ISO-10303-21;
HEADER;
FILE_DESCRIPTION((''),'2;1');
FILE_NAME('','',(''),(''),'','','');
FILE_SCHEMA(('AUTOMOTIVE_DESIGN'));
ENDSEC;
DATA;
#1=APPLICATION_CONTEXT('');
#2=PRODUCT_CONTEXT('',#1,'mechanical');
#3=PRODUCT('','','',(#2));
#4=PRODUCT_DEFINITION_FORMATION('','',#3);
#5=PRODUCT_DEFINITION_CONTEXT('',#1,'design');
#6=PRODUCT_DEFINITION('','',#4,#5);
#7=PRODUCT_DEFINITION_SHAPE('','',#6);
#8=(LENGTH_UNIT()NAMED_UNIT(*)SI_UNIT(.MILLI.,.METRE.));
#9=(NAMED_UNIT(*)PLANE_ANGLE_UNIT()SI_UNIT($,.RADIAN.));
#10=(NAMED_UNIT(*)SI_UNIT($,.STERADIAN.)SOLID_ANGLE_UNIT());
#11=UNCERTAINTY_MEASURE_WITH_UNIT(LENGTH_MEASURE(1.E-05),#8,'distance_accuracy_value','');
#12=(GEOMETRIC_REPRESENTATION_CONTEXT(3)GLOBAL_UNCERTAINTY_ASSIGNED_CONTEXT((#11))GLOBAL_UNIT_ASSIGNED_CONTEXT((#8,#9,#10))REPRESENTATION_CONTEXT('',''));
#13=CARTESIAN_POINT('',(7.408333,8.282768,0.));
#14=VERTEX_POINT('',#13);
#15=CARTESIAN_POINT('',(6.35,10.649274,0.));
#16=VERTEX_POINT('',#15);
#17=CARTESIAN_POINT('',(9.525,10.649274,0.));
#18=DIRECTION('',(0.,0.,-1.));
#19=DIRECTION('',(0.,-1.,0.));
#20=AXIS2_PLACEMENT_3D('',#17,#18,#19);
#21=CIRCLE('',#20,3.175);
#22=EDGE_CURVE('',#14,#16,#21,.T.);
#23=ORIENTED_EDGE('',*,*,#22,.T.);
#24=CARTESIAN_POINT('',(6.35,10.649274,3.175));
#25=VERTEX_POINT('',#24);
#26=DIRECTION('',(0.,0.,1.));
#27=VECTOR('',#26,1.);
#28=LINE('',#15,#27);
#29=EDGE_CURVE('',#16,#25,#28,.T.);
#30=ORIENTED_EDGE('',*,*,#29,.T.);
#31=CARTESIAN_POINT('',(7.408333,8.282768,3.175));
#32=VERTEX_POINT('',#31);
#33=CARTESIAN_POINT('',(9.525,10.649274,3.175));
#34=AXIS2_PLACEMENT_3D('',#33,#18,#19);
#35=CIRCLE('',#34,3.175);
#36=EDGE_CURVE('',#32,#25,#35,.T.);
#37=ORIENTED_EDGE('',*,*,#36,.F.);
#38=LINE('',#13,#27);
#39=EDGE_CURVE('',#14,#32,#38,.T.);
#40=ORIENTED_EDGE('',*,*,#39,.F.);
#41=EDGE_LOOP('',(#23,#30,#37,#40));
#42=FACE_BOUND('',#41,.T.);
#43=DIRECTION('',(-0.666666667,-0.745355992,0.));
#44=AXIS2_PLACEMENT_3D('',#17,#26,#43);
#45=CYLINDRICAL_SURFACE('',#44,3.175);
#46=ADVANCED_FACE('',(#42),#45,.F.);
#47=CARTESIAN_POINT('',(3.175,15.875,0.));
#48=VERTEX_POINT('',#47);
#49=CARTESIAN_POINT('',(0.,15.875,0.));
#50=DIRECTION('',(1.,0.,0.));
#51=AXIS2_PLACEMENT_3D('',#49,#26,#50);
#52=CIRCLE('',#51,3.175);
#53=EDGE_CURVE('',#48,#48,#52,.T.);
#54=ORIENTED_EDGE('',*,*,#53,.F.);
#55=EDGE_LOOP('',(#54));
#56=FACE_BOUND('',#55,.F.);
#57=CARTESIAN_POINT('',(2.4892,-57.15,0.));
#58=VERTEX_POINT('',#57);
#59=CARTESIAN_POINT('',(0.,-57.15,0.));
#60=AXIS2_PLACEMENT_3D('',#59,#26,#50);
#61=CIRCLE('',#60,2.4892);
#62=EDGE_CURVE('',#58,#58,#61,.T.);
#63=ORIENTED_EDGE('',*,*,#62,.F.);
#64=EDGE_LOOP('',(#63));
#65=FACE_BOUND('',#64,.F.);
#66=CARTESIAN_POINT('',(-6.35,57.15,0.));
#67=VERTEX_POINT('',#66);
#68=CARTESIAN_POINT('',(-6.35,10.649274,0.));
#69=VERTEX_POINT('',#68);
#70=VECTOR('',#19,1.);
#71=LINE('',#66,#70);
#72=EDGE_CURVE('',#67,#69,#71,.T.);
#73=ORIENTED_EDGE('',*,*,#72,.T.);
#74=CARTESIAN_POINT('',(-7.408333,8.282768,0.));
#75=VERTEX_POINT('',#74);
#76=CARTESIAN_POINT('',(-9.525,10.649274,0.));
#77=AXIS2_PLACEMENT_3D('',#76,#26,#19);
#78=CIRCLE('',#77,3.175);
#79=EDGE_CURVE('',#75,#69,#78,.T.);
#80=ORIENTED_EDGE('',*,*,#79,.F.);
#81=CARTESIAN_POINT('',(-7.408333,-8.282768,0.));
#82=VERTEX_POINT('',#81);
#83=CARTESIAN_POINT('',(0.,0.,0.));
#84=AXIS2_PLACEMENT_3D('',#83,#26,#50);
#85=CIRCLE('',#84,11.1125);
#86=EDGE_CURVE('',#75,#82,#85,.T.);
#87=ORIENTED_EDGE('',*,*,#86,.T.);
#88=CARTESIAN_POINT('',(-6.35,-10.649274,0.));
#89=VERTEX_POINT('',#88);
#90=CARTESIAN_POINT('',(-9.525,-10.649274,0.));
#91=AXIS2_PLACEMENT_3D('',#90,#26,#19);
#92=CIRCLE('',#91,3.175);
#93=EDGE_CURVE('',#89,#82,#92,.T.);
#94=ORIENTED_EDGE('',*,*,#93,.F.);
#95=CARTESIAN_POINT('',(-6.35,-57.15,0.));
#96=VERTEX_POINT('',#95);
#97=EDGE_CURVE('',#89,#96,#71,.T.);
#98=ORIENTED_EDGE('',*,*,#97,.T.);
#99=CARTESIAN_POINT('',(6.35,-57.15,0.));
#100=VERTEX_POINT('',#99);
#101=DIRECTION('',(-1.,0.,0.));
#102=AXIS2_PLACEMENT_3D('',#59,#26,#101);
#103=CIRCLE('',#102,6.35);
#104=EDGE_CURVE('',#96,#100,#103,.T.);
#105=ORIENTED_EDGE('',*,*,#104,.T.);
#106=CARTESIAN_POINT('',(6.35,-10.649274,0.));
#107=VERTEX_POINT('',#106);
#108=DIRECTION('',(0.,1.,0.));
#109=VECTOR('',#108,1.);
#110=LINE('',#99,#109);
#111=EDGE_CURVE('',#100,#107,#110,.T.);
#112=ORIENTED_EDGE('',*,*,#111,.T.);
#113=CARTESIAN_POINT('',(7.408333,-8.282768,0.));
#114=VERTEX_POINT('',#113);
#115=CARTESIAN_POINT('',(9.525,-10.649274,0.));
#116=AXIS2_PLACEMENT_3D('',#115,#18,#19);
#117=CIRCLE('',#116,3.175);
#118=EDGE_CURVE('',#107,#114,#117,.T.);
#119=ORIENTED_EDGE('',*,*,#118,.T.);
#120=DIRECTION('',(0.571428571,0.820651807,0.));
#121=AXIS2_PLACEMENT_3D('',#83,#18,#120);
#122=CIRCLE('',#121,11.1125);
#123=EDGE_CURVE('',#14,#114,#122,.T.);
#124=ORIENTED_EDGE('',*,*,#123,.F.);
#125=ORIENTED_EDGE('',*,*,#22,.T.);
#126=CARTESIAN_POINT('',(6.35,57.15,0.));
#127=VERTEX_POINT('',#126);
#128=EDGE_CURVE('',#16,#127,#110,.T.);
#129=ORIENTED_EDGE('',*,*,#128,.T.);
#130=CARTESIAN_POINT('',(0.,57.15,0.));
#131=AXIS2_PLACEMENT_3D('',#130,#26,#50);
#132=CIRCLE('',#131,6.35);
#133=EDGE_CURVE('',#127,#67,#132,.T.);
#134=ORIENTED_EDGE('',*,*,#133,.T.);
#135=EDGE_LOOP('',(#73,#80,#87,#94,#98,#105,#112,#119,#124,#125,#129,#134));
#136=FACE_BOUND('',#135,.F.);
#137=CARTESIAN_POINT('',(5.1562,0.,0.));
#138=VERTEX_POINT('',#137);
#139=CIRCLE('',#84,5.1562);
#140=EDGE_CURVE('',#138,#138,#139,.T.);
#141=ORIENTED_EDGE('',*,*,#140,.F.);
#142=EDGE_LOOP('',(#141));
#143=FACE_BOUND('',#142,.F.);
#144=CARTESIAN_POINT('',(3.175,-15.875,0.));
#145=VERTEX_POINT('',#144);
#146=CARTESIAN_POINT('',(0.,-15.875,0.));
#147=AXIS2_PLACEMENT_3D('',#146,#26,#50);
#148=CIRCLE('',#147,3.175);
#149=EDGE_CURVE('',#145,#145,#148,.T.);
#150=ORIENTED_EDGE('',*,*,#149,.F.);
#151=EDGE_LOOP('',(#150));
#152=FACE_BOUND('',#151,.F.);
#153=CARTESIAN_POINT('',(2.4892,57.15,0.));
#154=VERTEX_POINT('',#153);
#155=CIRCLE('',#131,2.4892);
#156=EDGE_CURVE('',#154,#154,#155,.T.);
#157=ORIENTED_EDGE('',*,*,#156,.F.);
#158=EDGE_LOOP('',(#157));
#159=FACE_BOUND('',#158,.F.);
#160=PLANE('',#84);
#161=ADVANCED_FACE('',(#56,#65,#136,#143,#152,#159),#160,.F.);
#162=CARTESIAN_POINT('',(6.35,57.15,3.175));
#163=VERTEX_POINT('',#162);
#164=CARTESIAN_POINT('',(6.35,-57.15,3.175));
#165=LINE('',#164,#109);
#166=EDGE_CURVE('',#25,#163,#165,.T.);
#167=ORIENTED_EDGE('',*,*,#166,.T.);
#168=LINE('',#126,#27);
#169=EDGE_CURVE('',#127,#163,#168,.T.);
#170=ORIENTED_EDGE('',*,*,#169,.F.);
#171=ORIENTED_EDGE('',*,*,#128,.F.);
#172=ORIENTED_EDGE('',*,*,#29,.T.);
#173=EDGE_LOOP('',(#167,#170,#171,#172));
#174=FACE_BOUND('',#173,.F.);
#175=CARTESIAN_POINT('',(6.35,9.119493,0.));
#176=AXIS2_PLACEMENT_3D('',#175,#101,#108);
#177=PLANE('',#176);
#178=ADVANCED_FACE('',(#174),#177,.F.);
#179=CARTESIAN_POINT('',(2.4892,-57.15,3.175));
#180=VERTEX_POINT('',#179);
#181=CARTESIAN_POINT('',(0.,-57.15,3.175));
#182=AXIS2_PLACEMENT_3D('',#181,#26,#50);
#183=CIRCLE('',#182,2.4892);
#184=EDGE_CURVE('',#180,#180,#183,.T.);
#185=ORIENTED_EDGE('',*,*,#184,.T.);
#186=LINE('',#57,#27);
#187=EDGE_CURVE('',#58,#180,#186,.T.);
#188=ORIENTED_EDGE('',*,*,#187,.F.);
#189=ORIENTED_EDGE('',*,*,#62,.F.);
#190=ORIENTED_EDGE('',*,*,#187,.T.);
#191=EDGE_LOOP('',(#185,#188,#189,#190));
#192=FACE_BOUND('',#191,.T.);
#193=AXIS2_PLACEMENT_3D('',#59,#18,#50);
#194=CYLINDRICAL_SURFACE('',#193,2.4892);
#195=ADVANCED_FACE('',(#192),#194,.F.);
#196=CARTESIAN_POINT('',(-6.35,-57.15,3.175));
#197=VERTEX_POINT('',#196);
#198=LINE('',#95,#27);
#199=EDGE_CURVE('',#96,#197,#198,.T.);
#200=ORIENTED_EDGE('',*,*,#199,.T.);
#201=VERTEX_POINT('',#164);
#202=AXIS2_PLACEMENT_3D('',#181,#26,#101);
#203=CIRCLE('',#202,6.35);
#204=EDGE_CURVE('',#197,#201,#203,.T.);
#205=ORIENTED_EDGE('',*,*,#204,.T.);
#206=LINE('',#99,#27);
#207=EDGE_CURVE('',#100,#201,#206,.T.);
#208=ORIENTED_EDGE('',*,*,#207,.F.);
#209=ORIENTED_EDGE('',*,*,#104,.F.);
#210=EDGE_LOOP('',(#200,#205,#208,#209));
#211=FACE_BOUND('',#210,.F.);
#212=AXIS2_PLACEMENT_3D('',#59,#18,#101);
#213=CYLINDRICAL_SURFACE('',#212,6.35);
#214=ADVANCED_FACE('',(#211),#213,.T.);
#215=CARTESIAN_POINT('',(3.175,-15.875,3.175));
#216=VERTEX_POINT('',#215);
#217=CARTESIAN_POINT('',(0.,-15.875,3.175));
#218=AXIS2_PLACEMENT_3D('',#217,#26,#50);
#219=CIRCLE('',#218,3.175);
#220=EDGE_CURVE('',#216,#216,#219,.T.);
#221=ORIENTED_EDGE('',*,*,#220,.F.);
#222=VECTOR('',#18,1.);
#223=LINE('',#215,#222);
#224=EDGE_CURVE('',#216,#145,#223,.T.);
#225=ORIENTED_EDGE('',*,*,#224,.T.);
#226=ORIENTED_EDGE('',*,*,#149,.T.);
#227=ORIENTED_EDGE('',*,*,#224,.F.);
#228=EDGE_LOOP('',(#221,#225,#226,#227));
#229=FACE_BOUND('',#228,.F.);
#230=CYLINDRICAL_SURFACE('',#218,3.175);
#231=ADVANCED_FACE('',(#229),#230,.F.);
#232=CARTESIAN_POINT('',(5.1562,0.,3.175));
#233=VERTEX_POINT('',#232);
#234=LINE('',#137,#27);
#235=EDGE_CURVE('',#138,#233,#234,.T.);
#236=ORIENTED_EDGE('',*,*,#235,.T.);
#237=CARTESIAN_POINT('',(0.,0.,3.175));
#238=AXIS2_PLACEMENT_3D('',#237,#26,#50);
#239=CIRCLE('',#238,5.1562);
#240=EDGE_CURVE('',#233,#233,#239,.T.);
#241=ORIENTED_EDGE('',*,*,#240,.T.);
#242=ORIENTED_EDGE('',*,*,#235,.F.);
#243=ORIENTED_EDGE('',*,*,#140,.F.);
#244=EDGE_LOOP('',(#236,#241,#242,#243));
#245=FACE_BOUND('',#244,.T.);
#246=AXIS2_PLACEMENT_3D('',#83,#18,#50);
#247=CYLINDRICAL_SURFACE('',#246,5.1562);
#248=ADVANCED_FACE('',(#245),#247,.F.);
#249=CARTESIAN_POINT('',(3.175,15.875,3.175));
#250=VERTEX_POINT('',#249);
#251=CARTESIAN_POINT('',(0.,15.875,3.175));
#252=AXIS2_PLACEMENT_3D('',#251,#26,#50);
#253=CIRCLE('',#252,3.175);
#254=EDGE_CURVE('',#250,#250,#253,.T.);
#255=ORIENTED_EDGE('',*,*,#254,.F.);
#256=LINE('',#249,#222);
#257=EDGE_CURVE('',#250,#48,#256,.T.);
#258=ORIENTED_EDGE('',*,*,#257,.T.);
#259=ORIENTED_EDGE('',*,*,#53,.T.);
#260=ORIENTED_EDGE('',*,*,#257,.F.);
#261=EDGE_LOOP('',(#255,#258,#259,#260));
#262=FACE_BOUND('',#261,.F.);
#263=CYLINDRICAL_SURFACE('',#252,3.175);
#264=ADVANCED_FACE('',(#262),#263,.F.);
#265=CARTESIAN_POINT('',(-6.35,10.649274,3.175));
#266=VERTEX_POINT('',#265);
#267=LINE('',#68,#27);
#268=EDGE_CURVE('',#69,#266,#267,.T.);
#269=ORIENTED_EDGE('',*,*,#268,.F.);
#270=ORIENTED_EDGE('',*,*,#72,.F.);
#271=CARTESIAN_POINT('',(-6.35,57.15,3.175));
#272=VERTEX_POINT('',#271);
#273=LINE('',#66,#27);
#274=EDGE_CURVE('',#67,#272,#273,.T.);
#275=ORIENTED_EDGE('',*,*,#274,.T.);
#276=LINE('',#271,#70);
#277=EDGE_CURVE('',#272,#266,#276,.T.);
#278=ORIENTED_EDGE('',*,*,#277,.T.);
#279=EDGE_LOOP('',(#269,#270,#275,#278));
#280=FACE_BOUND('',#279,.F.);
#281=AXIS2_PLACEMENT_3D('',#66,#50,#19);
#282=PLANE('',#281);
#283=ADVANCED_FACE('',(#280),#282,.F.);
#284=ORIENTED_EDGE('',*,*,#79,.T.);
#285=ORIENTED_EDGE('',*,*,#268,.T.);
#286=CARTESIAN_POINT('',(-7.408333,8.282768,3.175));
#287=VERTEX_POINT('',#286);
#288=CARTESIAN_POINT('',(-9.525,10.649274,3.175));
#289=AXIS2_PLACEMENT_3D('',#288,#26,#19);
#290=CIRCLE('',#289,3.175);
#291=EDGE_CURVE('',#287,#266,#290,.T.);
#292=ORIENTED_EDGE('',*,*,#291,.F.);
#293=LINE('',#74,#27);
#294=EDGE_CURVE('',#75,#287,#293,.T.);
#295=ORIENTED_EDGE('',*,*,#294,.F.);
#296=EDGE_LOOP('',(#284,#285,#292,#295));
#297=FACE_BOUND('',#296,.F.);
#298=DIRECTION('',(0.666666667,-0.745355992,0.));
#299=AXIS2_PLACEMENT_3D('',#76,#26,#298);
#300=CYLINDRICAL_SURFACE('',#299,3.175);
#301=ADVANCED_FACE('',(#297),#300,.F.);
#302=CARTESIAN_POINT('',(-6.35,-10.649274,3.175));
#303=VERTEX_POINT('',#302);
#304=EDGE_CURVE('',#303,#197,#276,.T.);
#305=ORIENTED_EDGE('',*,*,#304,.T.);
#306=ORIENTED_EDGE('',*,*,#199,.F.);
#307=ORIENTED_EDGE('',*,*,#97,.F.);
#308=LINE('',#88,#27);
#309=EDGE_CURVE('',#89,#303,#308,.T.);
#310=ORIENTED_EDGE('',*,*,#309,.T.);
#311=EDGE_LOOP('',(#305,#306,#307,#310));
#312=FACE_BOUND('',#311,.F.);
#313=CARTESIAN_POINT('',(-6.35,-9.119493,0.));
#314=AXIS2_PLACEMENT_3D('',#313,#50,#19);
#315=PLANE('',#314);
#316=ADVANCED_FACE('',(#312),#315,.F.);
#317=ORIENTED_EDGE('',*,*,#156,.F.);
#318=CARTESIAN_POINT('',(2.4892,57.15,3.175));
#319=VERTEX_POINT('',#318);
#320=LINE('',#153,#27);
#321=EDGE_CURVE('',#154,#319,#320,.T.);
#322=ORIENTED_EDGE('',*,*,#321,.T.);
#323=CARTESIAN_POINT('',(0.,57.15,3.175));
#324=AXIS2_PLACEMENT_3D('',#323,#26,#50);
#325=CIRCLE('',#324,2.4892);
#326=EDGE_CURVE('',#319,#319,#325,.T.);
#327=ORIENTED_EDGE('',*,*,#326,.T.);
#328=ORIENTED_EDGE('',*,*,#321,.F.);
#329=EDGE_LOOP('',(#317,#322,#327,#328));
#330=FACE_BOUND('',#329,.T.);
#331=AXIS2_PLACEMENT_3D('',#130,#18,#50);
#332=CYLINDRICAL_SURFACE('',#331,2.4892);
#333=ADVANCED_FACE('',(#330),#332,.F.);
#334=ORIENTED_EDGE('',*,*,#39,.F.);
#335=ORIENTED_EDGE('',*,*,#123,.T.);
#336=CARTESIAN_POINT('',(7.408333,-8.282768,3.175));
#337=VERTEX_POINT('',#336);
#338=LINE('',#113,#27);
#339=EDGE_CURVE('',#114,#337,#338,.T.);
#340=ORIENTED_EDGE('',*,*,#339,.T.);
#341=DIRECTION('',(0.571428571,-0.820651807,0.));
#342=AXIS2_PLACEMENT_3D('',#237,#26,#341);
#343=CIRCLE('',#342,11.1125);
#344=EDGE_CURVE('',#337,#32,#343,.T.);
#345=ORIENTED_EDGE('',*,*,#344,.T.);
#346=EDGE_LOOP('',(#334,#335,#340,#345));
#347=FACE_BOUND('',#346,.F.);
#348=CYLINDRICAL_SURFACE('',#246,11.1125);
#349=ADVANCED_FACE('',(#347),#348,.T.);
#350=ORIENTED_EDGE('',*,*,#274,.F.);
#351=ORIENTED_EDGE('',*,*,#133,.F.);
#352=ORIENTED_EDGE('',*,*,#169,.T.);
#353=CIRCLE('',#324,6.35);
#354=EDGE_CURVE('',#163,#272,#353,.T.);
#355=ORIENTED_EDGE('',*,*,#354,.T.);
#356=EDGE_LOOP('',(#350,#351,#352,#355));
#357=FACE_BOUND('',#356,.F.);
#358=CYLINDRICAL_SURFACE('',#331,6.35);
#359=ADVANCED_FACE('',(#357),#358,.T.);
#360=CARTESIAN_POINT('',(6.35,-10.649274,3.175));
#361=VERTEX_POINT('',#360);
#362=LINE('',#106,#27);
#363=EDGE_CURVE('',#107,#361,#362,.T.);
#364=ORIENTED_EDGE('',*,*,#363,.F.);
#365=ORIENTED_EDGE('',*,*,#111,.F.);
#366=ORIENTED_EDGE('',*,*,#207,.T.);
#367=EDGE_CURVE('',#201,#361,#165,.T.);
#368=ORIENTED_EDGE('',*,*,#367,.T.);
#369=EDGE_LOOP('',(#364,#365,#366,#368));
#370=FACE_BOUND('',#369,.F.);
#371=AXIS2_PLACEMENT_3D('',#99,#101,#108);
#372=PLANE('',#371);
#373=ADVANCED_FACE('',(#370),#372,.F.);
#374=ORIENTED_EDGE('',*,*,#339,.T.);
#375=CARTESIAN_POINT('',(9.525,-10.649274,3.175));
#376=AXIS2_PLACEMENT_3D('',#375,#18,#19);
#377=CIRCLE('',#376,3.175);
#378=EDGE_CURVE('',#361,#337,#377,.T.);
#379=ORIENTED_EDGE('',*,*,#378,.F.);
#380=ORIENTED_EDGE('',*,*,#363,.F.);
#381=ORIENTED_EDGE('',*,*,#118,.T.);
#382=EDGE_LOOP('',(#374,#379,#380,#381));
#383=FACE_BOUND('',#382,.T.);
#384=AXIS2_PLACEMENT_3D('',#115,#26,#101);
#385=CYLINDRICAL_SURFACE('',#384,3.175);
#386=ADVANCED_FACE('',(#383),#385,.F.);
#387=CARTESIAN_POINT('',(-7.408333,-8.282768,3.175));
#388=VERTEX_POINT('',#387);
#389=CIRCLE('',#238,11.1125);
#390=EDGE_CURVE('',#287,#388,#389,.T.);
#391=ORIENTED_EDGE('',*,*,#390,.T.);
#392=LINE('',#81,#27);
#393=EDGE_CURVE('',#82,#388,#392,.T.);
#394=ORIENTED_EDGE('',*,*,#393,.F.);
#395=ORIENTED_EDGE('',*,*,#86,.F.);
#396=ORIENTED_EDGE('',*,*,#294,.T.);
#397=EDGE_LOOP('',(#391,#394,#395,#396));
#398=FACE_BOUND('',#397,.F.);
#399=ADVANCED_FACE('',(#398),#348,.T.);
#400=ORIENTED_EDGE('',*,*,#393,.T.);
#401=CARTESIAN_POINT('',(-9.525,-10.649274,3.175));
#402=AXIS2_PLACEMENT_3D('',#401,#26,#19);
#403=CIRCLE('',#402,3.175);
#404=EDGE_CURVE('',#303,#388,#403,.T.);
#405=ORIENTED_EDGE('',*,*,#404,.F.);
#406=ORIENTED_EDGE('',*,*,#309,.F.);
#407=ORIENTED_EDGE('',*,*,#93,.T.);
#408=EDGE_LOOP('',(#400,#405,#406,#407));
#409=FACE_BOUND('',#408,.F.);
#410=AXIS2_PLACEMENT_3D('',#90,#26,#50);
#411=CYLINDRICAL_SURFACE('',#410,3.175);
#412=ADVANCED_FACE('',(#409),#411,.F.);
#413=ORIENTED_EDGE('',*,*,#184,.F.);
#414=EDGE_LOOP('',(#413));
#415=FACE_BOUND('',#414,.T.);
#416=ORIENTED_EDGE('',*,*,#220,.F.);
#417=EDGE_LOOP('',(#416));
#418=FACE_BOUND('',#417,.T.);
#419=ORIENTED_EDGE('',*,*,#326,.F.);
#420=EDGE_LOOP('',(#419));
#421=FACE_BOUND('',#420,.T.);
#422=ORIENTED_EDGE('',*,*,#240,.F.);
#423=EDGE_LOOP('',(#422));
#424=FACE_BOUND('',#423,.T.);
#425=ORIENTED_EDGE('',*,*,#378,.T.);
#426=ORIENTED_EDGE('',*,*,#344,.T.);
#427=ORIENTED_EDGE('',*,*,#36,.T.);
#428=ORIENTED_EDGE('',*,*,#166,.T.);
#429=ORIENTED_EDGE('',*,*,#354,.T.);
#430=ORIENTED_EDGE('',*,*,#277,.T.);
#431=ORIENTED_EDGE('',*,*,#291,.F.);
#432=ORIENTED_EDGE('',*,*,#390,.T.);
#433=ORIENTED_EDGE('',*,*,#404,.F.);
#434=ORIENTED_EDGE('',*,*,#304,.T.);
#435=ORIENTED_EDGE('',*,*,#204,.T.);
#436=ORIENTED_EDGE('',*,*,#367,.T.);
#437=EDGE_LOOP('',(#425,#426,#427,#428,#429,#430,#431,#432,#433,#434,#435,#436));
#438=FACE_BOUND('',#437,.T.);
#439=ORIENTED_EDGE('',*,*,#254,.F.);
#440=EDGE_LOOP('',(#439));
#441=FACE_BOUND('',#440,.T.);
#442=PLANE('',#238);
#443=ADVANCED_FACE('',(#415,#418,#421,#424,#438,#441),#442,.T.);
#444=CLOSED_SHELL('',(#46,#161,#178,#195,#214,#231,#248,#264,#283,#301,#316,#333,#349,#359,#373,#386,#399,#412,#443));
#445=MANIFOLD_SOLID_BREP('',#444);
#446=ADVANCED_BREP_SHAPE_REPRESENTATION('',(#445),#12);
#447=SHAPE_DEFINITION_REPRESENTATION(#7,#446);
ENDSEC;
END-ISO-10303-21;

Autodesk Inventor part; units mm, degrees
ref_plane "YZ Plane" through (0, 0, 0) normal (1, 0, 0) x (0, 1, 0)
ref_plane "XZ Plane" through (0, 0, 0) normal (0, 1, 0) x (-1, 0, 0)
ref_plane "XY Plane" through (0, 0, 0) normal (0, 0, 1) x (1, 0, 0)
sketch "Sketch1" plane through (0, 0, 0) normal (0, 0, 1) x (1, 0, 0)
  line L0 (0, -57.15) -> (0, 57.15) construction
  line L1 (6.35, -57.15) -> (6.35, 57.15)
  line L2 (-6.35, 57.15) -> (-6.35, -57.15)
  arc A0 (-6.35, -57.15) -> (6.35, -57.15) centre (0, -57.15) ccw
  arc A1 (6.35, 57.15) -> (-6.35, 57.15) centre (0, 57.15) ccw
  circle A2 centre (0, 57.15) radius 2.4892
  circle A3 centre (0, -57.15) radius 2.4892
  circle A4 centre (0, 0) radius 5.1562
  circle A5 centre (0, 0) radius 11.1125
  point P0 (-6.35, 9.1195)
  point P1 (-6.35, -9.1195)
  point P2 (6.35, -9.1195)
  point P3 (6.35, 9.1195)
  dimension "d0" = 114.3
  dimension "d1" = 12.7
  dimension "d2" = 4.9784
  dimension "d3" = 10.3124
  dimension "d4" = 22.225
extrude "Extrusion1" add sketch "Sketch1" along normal blind 3.175
sketch "Sketch2" plane through (0, 0, 3.175) normal (0, 0, 1) x (1, 0, 0)
  circle A0 centre (0, 0) radius 15.875 construction
  circle A1 centre (0, 15.875) radius 3.175
  circle A2 centre (0, -15.875) radius 3.175
  dimension "d7" = 31.75
  dimension "d8" = 6.35
  dimension "d9" = 6.35
extrude "Extrusion2" cut sketch "Sketch2" against normal through all
fillet "Fillet1" radius 3.175 4 edges at (6.35, 9.1195, 1.5875) (6.35, -9.1195, 1.5875) (-6.35, -9.1195, 1.5875) (-6.35, 9.1195, 1.5875)
properties part number "EncoderStrip" material "Aluminum 6061"
